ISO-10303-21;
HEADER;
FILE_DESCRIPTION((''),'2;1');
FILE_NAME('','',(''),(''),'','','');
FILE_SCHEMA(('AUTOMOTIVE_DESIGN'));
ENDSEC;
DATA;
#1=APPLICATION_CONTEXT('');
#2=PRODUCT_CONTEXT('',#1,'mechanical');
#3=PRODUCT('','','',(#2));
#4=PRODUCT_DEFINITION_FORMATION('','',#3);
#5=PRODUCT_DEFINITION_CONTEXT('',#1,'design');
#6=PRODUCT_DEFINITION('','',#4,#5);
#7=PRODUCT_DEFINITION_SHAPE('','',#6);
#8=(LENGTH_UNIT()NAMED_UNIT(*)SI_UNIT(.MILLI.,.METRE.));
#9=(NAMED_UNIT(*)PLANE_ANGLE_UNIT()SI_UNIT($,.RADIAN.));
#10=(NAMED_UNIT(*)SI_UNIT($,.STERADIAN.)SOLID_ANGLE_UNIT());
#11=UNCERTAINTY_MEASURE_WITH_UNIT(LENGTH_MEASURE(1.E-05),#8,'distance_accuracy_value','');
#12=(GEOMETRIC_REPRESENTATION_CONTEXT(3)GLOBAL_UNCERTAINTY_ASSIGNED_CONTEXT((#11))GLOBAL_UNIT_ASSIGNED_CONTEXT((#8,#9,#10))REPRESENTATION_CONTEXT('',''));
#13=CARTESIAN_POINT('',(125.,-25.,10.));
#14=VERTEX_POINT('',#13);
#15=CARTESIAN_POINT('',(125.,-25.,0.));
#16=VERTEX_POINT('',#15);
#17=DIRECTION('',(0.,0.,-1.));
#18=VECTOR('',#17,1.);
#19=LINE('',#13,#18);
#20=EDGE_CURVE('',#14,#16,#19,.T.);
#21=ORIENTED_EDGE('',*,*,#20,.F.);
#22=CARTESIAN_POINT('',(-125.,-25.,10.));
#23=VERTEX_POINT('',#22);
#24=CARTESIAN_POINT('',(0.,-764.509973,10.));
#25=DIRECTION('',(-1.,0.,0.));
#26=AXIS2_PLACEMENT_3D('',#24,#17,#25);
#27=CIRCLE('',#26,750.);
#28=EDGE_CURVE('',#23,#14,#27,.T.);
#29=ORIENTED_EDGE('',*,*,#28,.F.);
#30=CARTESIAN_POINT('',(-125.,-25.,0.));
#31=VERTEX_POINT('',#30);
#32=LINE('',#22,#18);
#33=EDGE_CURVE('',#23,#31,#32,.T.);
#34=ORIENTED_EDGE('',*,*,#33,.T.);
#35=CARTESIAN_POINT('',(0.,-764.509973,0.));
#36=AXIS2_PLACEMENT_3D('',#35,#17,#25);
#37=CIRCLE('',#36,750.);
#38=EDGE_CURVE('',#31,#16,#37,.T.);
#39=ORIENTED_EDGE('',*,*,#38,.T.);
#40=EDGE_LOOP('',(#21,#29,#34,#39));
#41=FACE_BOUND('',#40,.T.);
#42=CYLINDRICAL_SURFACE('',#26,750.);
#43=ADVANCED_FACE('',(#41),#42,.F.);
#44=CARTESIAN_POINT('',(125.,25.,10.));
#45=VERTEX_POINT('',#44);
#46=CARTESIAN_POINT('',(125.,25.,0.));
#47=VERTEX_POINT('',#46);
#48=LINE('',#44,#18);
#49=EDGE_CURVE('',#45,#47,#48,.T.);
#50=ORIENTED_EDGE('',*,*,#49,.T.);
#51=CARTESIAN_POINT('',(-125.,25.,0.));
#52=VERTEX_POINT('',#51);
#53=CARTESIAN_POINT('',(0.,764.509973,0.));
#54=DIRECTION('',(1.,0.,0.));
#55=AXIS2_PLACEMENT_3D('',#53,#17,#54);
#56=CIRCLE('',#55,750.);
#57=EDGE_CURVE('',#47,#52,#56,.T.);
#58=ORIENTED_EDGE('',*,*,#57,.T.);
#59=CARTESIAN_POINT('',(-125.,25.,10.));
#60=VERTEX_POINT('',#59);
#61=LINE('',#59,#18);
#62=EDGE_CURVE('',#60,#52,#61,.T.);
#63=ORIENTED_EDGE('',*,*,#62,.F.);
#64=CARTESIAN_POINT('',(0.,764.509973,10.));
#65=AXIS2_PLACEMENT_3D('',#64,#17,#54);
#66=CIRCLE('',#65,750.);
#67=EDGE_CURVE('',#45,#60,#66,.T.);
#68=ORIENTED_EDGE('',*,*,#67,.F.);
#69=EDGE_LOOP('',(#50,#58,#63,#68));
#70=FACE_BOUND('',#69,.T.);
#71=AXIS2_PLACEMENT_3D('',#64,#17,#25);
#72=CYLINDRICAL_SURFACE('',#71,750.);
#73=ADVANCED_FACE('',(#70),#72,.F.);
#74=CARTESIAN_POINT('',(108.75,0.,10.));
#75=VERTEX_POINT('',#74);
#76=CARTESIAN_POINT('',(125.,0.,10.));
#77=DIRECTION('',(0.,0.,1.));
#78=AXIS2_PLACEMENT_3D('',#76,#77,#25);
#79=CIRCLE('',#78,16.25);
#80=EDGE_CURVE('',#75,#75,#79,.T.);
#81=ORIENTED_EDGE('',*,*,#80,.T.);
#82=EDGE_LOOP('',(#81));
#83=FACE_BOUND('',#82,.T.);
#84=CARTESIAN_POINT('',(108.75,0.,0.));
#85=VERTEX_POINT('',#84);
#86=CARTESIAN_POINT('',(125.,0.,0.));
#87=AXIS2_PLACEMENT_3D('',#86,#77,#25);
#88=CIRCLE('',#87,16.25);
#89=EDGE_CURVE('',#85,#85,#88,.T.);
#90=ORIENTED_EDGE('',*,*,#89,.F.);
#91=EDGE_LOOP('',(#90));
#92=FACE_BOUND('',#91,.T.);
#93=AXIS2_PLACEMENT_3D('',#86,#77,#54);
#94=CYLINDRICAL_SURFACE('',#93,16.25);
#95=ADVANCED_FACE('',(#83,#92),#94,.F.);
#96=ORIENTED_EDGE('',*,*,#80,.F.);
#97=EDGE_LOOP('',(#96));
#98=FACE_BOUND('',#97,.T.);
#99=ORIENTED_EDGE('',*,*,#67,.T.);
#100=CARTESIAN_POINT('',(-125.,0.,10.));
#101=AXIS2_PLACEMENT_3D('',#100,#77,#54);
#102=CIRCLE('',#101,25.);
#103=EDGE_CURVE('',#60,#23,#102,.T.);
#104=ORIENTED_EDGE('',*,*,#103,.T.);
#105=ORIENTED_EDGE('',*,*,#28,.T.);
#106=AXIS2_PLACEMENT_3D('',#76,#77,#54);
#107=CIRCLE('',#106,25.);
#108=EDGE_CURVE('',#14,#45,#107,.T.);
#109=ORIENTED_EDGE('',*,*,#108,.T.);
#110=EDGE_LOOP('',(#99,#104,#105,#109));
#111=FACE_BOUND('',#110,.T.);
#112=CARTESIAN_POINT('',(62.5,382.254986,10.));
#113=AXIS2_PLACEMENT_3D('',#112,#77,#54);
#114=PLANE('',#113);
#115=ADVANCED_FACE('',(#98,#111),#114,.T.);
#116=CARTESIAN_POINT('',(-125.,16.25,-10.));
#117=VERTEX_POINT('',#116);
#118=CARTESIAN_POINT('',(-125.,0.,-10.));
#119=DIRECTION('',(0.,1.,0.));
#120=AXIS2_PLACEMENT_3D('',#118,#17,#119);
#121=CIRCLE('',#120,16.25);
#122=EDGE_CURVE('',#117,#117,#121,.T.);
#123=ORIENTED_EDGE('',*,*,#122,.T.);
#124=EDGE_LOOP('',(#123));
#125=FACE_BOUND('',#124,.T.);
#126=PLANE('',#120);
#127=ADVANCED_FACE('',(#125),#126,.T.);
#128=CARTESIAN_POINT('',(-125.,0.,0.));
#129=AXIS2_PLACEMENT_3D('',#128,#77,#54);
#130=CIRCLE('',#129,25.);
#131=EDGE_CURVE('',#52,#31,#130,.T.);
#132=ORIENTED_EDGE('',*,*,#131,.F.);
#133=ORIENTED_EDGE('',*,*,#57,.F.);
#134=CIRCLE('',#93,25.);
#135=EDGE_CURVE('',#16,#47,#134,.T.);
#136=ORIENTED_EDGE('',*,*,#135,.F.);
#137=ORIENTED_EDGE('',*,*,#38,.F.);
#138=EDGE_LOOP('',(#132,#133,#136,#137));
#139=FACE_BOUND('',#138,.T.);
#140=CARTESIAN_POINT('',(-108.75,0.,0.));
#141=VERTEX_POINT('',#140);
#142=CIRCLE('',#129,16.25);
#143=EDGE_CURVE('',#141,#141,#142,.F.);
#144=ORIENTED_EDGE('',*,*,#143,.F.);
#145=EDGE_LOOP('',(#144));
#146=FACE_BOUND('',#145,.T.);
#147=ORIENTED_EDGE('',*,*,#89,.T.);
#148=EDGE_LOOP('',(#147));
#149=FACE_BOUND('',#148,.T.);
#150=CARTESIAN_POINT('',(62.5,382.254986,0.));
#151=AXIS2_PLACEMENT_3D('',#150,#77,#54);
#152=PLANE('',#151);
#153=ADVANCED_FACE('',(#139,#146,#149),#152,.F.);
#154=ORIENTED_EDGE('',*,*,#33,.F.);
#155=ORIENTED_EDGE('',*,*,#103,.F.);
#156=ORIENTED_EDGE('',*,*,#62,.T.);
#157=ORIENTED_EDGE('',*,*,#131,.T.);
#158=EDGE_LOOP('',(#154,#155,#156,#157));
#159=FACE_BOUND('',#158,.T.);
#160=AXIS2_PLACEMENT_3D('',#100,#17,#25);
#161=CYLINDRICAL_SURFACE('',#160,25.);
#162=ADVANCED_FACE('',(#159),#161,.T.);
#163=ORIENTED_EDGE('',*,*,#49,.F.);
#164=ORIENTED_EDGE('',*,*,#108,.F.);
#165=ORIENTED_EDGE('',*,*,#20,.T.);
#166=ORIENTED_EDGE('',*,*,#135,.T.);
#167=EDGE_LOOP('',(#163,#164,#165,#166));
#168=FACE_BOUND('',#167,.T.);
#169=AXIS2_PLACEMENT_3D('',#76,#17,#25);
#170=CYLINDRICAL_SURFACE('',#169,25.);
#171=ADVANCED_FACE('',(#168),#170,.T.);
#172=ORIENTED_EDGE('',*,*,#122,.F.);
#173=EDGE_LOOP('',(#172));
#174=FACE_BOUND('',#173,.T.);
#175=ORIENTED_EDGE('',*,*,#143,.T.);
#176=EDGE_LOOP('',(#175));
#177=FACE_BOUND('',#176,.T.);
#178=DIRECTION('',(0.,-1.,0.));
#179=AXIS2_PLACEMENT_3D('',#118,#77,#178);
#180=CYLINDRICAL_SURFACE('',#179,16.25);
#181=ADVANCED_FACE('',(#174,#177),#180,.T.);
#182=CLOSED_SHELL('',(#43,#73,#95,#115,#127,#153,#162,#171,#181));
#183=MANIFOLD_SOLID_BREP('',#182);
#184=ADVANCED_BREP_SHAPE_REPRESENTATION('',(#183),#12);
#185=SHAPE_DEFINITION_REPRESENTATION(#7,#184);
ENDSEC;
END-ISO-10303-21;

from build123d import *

# Parameters (mm, degrees)
BOSS_EXTRUDE1_DEPTH = 10
SKETCH2_R           = 16.25
BOSS_EXTRUDE2_DEPTH = 10
SKETCH3_R           = 16.25
CUT_EXTRUDE1_DEPTH  = 10


with BuildPart() as part:
    # Sketch1 → Boss-Extrude1 (new body)
    with BuildSketch(Plane.XY):
        with BuildLine():
            ThreePointArc((-125, 25), (-150, 0), (-125, -25))
            ThreePointArc((-125, -25), (0, -14.509972887), (125, -25))
            ThreePointArc((125, -25), (150, 0), (125, 25))
            ThreePointArc((125, 25), (0, 14.509972887), (-125, 25))
        make_face()
    extrude(amount=BOSS_EXTRUDE1_DEPTH)

    # Sketch2 → Boss-Extrude2 (add)
    with BuildSketch(Plane(origin=(0, 0, 0), x_dir=(1, 0, 0), z_dir=(0, 0, -1))):
        with Locations((-125, 0)):
            Circle(SKETCH2_R)
    extrude(amount=BOSS_EXTRUDE2_DEPTH)

    # Sketch3 → Cut-Extrude1 (cut)
    with BuildSketch(Plane.XY.offset(10)):
        with Locations((125, 0)):
            Circle(SKETCH3_R)
    extrude(amount=-CUT_EXTRUDE1_DEPTH, mode=Mode.SUBTRACT)


solid = part.part
